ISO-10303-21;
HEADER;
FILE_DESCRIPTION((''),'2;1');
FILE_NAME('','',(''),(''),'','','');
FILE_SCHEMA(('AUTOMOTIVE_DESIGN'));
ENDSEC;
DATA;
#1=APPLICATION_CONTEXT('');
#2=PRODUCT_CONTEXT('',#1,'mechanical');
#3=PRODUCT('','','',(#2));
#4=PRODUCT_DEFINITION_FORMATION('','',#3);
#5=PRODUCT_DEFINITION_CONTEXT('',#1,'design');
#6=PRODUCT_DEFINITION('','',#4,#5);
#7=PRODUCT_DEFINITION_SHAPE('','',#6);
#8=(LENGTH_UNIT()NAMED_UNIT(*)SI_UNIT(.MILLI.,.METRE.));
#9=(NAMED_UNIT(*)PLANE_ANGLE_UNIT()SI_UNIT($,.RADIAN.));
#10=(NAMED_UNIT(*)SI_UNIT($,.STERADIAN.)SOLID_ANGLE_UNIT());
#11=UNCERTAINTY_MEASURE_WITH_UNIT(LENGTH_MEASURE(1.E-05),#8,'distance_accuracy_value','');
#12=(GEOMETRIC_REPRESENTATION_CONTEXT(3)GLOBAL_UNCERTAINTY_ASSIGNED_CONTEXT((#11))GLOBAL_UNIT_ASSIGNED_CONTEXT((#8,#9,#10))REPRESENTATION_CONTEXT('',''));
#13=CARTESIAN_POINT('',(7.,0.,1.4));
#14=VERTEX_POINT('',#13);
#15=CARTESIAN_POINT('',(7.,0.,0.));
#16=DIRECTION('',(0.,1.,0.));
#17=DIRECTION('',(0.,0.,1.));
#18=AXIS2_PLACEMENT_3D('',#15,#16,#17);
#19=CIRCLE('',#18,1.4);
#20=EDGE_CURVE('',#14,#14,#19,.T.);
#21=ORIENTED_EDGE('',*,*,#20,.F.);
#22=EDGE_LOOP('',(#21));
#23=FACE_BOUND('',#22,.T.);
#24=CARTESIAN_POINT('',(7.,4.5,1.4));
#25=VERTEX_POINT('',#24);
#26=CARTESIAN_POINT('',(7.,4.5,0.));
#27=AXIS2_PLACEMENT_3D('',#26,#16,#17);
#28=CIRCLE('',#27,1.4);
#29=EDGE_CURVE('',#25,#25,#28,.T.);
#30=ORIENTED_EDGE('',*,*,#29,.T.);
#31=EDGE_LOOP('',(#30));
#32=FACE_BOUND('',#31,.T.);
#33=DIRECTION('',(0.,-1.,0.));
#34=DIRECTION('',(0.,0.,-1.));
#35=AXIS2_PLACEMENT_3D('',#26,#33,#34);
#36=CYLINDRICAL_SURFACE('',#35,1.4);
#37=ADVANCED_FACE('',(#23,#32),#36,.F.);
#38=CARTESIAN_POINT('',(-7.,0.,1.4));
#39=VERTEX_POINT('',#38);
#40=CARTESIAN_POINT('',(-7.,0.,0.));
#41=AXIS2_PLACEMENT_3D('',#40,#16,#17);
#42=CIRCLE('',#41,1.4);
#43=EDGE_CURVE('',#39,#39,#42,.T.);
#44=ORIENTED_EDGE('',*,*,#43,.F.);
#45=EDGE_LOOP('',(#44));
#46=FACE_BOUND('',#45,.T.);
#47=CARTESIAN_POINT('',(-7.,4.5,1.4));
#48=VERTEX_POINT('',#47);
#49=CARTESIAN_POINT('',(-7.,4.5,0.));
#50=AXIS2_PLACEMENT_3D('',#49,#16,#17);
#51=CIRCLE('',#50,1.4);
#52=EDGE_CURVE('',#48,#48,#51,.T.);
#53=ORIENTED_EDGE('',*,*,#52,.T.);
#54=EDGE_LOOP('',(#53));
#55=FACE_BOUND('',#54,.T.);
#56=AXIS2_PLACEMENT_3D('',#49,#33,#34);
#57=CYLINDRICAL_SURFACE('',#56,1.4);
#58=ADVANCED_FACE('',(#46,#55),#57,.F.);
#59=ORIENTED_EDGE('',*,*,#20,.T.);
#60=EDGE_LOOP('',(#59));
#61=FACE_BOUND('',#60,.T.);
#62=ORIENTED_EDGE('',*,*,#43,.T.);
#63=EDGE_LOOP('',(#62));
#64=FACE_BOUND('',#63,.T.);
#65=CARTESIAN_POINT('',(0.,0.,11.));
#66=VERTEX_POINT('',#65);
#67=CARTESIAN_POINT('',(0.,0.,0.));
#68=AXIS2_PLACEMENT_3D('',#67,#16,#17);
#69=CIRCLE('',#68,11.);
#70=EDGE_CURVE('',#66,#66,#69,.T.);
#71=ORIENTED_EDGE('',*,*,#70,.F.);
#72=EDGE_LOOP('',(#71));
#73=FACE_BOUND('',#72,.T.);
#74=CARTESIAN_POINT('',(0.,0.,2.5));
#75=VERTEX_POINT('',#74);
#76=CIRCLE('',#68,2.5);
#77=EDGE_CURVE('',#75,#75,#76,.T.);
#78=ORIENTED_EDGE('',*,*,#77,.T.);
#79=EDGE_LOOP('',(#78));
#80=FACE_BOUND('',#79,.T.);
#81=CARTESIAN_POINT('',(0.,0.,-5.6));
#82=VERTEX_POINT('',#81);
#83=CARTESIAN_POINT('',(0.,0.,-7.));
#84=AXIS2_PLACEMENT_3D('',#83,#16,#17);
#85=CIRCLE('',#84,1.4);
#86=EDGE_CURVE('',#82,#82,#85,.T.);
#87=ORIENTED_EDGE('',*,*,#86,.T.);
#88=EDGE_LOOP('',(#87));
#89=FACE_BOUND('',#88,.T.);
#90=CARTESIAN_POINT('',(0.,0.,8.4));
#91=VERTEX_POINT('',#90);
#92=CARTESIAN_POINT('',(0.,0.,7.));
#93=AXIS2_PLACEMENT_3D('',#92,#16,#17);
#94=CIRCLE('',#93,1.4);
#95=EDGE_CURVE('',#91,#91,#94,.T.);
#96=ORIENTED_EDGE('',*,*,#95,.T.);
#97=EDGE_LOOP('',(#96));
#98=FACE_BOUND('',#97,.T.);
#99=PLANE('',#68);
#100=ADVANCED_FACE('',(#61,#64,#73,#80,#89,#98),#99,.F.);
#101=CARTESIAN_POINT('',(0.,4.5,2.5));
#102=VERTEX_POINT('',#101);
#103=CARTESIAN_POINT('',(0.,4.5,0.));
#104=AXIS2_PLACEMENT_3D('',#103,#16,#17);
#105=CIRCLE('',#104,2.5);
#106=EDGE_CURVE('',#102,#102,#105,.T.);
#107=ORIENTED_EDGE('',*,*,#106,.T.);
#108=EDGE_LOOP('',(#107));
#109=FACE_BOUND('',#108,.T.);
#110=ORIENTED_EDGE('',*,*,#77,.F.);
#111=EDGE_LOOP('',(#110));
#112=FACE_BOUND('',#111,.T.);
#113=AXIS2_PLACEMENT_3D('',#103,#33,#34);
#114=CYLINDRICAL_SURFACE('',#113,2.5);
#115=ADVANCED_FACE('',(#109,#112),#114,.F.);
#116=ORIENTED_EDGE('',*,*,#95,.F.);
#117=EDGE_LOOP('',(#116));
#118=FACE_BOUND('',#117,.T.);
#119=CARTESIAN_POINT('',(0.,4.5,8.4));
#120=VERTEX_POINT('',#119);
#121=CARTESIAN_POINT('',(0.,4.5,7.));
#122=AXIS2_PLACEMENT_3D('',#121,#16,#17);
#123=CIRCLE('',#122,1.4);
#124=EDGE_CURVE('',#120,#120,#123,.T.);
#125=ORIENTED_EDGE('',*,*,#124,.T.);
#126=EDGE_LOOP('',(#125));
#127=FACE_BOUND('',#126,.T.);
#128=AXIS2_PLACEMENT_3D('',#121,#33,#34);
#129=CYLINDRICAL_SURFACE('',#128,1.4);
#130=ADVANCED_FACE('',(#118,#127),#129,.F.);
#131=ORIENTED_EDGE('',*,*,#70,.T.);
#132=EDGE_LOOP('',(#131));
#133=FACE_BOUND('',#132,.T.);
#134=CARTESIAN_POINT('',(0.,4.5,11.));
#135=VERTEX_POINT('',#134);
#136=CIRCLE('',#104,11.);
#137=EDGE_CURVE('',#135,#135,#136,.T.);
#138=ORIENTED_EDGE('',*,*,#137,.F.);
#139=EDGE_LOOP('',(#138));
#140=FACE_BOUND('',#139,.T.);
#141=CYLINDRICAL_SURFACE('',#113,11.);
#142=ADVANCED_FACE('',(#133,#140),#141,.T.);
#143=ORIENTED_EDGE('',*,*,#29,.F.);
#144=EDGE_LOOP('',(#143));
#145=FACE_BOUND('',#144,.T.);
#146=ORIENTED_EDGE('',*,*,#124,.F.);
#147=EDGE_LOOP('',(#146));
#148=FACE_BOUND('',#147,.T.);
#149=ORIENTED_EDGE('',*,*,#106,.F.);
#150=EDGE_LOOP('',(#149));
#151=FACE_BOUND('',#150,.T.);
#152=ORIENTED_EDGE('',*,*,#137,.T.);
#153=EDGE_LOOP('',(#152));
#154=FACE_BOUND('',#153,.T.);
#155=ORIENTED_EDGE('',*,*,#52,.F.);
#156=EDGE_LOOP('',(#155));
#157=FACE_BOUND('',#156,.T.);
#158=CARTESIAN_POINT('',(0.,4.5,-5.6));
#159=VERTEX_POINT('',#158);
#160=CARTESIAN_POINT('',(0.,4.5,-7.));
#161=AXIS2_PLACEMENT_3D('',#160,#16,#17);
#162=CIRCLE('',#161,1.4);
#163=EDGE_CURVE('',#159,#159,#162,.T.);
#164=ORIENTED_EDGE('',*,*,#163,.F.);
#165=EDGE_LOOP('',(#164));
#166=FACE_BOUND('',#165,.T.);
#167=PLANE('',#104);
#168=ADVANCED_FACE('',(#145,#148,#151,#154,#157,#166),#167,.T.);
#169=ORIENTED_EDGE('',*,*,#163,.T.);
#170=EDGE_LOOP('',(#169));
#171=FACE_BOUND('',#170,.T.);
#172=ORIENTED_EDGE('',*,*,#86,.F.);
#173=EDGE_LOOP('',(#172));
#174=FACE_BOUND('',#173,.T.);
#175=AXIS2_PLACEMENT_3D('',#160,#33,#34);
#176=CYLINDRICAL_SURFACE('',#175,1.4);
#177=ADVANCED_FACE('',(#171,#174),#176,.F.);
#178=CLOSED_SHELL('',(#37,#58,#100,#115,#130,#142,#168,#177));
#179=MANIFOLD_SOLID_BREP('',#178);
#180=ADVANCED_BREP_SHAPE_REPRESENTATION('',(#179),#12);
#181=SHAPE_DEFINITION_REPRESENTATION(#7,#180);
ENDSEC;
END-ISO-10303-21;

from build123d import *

# Parameters (mm, degrees)
SKETCH1_R           = 11
SKETCH1_R_2         = 2.5
SKETCH1_R_3         = 1.4
BOSS_EXTRUDE1_DEPTH = 4.5


with BuildPart() as part:
    # Sketch1 → Boss-Extrude1 (new body)
    with BuildSketch(Plane(origin=(0, 0, 0), x_dir=(1, 0, 0), z_dir=(0, 1, 0))):
        with Locations(Location((0, 0, 0), (0, 0, 270))):
            Circle(SKETCH1_R)
        with Locations(Location((0, 0, 0), (0, 0, 270))):
            Circle(SKETCH1_R_2, mode=Mode.SUBTRACT)
        with Locations(Location((0, 7, 0), (0, 0, 270))):
            Circle(SKETCH1_R_3, mode=Mode.SUBTRACT)
        with Locations(Location((7, 0, 0), (0, 0, 270))):
            Circle(SKETCH1_R_3, mode=Mode.SUBTRACT)
        with Locations(Location((0, -7, 0), (0, 0, 270))):
            Circle(SKETCH1_R_3, mode=Mode.SUBTRACT)
        with Locations(Location((-7, 0, 0), (0, 0, 270))):
            Circle(SKETCH1_R_3, mode=Mode.SUBTRACT)
    extrude(amount=BOSS_EXTRUDE1_DEPTH)


solid = part.part
